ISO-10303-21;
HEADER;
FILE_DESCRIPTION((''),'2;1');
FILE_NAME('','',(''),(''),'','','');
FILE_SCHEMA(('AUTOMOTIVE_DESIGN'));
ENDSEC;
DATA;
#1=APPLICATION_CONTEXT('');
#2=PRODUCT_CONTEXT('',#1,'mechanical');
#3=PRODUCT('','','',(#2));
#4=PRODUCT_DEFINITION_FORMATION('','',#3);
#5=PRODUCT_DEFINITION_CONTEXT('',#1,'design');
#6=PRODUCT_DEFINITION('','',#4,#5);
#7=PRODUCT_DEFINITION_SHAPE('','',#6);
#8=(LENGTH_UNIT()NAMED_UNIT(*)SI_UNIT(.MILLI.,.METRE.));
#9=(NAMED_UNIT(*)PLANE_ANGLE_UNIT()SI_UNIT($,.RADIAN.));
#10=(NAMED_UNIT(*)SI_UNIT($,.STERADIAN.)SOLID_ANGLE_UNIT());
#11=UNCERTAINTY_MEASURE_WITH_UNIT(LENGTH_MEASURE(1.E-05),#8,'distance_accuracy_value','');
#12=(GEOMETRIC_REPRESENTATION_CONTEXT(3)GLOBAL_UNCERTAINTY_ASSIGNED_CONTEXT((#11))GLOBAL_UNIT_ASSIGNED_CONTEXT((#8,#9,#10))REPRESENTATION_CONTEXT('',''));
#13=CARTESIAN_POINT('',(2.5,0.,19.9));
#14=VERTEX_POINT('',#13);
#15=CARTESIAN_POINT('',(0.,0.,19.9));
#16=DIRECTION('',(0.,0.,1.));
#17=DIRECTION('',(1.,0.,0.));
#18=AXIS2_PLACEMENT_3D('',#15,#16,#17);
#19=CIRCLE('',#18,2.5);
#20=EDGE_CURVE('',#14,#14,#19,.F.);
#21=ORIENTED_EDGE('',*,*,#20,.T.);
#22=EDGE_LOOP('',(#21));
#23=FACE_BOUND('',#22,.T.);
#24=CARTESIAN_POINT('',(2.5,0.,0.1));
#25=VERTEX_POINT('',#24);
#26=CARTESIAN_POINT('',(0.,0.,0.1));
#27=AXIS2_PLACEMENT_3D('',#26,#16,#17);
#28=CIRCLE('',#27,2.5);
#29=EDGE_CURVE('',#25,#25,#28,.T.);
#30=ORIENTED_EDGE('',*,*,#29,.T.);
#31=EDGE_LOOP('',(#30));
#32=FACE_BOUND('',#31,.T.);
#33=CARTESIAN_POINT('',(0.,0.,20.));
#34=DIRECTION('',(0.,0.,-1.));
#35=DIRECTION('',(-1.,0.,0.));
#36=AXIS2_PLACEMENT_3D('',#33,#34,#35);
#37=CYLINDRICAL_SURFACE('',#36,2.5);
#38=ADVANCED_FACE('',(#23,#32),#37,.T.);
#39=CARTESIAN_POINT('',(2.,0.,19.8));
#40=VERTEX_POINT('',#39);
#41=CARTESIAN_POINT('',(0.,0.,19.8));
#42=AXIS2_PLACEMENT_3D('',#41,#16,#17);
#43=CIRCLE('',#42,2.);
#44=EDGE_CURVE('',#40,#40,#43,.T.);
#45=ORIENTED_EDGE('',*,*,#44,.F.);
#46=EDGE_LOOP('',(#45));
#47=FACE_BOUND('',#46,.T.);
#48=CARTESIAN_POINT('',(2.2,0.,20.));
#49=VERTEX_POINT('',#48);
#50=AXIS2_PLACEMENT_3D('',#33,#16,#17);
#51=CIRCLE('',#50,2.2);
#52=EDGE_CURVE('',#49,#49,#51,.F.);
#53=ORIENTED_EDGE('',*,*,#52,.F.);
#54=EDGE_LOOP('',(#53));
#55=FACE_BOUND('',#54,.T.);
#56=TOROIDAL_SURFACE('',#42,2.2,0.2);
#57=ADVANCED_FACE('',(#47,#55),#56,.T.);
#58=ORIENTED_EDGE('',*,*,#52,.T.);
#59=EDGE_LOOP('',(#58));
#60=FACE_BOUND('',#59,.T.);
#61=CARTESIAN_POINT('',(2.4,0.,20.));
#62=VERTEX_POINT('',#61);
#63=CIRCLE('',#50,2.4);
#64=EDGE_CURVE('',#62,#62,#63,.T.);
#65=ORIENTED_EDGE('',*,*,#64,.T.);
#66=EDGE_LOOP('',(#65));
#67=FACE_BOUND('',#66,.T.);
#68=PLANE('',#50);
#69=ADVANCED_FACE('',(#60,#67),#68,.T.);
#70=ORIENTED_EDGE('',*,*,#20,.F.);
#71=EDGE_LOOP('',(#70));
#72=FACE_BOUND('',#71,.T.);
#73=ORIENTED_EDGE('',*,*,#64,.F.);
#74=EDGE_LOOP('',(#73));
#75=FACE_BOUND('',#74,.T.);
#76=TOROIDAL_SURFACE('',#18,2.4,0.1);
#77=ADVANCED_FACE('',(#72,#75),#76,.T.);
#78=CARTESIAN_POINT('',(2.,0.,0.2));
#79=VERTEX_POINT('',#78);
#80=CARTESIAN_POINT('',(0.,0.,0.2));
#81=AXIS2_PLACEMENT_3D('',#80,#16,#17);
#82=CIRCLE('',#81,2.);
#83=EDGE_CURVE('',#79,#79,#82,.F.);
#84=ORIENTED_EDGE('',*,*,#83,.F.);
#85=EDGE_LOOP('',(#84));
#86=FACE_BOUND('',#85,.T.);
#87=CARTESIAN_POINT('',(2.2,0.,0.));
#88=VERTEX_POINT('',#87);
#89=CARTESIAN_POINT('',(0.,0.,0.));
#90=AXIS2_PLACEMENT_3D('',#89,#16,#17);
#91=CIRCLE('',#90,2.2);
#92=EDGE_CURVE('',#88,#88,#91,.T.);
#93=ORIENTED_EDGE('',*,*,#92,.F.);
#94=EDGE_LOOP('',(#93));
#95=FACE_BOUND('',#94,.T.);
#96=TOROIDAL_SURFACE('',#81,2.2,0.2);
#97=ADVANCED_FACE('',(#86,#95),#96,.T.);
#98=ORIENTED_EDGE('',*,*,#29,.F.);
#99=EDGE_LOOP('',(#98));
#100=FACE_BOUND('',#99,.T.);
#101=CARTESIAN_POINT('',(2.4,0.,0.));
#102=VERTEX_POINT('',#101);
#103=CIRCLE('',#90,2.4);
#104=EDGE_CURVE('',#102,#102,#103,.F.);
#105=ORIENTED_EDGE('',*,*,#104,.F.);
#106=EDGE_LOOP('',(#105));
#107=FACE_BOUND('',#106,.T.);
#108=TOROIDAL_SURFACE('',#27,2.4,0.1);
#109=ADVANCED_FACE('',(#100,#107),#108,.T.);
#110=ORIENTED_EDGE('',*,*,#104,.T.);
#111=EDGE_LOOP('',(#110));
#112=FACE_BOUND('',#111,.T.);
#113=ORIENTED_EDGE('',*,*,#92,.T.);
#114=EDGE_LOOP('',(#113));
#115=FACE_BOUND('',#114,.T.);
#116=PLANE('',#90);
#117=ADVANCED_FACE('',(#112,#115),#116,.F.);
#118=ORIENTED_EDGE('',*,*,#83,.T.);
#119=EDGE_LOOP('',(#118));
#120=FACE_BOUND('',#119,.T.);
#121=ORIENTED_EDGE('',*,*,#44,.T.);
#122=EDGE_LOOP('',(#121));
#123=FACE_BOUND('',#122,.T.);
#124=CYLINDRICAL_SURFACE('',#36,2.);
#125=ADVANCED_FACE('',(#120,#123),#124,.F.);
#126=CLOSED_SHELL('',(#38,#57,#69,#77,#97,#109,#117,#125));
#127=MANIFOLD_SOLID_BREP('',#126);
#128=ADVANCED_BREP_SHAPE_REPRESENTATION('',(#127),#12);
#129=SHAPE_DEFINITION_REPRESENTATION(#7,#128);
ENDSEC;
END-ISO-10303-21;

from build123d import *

# Parameters (mm, degrees)
CROQUIS1_R              = 2.5
CROQUIS1_R_2            = 2
SALIENTE_EXTRUIR2_DEPTH = 20
REDONDEO5_R             = 0.1
REDONDEO6_R             = 0.2


with BuildPart() as part:
    # Croquis1 → Saliente-Extruir2 (new body)
    with BuildSketch(Plane.XY):
        Circle(CROQUIS1_R)
        Circle(CROQUIS1_R_2, mode=Mode.SUBTRACT)
    extrude(amount=SALIENTE_EXTRUIR2_DEPTH)

    # Redondeo5
    redondeo5_edges = [part.edges().sort_by_distance(p)[0] for p in [
        (-2.5, 0, 0),
        (-2.5, 0, 20),
    ]]
    fillet(redondeo5_edges, radius=REDONDEO5_R)

    # Redondeo6
    redondeo6_edges = [part.edges().sort_by_distance(p)[0] for p in [
        (-2, 0, 0),
        (-2, 0, 20),
    ]]
    fillet(redondeo6_edges, radius=REDONDEO6_R)


solid = part.part
